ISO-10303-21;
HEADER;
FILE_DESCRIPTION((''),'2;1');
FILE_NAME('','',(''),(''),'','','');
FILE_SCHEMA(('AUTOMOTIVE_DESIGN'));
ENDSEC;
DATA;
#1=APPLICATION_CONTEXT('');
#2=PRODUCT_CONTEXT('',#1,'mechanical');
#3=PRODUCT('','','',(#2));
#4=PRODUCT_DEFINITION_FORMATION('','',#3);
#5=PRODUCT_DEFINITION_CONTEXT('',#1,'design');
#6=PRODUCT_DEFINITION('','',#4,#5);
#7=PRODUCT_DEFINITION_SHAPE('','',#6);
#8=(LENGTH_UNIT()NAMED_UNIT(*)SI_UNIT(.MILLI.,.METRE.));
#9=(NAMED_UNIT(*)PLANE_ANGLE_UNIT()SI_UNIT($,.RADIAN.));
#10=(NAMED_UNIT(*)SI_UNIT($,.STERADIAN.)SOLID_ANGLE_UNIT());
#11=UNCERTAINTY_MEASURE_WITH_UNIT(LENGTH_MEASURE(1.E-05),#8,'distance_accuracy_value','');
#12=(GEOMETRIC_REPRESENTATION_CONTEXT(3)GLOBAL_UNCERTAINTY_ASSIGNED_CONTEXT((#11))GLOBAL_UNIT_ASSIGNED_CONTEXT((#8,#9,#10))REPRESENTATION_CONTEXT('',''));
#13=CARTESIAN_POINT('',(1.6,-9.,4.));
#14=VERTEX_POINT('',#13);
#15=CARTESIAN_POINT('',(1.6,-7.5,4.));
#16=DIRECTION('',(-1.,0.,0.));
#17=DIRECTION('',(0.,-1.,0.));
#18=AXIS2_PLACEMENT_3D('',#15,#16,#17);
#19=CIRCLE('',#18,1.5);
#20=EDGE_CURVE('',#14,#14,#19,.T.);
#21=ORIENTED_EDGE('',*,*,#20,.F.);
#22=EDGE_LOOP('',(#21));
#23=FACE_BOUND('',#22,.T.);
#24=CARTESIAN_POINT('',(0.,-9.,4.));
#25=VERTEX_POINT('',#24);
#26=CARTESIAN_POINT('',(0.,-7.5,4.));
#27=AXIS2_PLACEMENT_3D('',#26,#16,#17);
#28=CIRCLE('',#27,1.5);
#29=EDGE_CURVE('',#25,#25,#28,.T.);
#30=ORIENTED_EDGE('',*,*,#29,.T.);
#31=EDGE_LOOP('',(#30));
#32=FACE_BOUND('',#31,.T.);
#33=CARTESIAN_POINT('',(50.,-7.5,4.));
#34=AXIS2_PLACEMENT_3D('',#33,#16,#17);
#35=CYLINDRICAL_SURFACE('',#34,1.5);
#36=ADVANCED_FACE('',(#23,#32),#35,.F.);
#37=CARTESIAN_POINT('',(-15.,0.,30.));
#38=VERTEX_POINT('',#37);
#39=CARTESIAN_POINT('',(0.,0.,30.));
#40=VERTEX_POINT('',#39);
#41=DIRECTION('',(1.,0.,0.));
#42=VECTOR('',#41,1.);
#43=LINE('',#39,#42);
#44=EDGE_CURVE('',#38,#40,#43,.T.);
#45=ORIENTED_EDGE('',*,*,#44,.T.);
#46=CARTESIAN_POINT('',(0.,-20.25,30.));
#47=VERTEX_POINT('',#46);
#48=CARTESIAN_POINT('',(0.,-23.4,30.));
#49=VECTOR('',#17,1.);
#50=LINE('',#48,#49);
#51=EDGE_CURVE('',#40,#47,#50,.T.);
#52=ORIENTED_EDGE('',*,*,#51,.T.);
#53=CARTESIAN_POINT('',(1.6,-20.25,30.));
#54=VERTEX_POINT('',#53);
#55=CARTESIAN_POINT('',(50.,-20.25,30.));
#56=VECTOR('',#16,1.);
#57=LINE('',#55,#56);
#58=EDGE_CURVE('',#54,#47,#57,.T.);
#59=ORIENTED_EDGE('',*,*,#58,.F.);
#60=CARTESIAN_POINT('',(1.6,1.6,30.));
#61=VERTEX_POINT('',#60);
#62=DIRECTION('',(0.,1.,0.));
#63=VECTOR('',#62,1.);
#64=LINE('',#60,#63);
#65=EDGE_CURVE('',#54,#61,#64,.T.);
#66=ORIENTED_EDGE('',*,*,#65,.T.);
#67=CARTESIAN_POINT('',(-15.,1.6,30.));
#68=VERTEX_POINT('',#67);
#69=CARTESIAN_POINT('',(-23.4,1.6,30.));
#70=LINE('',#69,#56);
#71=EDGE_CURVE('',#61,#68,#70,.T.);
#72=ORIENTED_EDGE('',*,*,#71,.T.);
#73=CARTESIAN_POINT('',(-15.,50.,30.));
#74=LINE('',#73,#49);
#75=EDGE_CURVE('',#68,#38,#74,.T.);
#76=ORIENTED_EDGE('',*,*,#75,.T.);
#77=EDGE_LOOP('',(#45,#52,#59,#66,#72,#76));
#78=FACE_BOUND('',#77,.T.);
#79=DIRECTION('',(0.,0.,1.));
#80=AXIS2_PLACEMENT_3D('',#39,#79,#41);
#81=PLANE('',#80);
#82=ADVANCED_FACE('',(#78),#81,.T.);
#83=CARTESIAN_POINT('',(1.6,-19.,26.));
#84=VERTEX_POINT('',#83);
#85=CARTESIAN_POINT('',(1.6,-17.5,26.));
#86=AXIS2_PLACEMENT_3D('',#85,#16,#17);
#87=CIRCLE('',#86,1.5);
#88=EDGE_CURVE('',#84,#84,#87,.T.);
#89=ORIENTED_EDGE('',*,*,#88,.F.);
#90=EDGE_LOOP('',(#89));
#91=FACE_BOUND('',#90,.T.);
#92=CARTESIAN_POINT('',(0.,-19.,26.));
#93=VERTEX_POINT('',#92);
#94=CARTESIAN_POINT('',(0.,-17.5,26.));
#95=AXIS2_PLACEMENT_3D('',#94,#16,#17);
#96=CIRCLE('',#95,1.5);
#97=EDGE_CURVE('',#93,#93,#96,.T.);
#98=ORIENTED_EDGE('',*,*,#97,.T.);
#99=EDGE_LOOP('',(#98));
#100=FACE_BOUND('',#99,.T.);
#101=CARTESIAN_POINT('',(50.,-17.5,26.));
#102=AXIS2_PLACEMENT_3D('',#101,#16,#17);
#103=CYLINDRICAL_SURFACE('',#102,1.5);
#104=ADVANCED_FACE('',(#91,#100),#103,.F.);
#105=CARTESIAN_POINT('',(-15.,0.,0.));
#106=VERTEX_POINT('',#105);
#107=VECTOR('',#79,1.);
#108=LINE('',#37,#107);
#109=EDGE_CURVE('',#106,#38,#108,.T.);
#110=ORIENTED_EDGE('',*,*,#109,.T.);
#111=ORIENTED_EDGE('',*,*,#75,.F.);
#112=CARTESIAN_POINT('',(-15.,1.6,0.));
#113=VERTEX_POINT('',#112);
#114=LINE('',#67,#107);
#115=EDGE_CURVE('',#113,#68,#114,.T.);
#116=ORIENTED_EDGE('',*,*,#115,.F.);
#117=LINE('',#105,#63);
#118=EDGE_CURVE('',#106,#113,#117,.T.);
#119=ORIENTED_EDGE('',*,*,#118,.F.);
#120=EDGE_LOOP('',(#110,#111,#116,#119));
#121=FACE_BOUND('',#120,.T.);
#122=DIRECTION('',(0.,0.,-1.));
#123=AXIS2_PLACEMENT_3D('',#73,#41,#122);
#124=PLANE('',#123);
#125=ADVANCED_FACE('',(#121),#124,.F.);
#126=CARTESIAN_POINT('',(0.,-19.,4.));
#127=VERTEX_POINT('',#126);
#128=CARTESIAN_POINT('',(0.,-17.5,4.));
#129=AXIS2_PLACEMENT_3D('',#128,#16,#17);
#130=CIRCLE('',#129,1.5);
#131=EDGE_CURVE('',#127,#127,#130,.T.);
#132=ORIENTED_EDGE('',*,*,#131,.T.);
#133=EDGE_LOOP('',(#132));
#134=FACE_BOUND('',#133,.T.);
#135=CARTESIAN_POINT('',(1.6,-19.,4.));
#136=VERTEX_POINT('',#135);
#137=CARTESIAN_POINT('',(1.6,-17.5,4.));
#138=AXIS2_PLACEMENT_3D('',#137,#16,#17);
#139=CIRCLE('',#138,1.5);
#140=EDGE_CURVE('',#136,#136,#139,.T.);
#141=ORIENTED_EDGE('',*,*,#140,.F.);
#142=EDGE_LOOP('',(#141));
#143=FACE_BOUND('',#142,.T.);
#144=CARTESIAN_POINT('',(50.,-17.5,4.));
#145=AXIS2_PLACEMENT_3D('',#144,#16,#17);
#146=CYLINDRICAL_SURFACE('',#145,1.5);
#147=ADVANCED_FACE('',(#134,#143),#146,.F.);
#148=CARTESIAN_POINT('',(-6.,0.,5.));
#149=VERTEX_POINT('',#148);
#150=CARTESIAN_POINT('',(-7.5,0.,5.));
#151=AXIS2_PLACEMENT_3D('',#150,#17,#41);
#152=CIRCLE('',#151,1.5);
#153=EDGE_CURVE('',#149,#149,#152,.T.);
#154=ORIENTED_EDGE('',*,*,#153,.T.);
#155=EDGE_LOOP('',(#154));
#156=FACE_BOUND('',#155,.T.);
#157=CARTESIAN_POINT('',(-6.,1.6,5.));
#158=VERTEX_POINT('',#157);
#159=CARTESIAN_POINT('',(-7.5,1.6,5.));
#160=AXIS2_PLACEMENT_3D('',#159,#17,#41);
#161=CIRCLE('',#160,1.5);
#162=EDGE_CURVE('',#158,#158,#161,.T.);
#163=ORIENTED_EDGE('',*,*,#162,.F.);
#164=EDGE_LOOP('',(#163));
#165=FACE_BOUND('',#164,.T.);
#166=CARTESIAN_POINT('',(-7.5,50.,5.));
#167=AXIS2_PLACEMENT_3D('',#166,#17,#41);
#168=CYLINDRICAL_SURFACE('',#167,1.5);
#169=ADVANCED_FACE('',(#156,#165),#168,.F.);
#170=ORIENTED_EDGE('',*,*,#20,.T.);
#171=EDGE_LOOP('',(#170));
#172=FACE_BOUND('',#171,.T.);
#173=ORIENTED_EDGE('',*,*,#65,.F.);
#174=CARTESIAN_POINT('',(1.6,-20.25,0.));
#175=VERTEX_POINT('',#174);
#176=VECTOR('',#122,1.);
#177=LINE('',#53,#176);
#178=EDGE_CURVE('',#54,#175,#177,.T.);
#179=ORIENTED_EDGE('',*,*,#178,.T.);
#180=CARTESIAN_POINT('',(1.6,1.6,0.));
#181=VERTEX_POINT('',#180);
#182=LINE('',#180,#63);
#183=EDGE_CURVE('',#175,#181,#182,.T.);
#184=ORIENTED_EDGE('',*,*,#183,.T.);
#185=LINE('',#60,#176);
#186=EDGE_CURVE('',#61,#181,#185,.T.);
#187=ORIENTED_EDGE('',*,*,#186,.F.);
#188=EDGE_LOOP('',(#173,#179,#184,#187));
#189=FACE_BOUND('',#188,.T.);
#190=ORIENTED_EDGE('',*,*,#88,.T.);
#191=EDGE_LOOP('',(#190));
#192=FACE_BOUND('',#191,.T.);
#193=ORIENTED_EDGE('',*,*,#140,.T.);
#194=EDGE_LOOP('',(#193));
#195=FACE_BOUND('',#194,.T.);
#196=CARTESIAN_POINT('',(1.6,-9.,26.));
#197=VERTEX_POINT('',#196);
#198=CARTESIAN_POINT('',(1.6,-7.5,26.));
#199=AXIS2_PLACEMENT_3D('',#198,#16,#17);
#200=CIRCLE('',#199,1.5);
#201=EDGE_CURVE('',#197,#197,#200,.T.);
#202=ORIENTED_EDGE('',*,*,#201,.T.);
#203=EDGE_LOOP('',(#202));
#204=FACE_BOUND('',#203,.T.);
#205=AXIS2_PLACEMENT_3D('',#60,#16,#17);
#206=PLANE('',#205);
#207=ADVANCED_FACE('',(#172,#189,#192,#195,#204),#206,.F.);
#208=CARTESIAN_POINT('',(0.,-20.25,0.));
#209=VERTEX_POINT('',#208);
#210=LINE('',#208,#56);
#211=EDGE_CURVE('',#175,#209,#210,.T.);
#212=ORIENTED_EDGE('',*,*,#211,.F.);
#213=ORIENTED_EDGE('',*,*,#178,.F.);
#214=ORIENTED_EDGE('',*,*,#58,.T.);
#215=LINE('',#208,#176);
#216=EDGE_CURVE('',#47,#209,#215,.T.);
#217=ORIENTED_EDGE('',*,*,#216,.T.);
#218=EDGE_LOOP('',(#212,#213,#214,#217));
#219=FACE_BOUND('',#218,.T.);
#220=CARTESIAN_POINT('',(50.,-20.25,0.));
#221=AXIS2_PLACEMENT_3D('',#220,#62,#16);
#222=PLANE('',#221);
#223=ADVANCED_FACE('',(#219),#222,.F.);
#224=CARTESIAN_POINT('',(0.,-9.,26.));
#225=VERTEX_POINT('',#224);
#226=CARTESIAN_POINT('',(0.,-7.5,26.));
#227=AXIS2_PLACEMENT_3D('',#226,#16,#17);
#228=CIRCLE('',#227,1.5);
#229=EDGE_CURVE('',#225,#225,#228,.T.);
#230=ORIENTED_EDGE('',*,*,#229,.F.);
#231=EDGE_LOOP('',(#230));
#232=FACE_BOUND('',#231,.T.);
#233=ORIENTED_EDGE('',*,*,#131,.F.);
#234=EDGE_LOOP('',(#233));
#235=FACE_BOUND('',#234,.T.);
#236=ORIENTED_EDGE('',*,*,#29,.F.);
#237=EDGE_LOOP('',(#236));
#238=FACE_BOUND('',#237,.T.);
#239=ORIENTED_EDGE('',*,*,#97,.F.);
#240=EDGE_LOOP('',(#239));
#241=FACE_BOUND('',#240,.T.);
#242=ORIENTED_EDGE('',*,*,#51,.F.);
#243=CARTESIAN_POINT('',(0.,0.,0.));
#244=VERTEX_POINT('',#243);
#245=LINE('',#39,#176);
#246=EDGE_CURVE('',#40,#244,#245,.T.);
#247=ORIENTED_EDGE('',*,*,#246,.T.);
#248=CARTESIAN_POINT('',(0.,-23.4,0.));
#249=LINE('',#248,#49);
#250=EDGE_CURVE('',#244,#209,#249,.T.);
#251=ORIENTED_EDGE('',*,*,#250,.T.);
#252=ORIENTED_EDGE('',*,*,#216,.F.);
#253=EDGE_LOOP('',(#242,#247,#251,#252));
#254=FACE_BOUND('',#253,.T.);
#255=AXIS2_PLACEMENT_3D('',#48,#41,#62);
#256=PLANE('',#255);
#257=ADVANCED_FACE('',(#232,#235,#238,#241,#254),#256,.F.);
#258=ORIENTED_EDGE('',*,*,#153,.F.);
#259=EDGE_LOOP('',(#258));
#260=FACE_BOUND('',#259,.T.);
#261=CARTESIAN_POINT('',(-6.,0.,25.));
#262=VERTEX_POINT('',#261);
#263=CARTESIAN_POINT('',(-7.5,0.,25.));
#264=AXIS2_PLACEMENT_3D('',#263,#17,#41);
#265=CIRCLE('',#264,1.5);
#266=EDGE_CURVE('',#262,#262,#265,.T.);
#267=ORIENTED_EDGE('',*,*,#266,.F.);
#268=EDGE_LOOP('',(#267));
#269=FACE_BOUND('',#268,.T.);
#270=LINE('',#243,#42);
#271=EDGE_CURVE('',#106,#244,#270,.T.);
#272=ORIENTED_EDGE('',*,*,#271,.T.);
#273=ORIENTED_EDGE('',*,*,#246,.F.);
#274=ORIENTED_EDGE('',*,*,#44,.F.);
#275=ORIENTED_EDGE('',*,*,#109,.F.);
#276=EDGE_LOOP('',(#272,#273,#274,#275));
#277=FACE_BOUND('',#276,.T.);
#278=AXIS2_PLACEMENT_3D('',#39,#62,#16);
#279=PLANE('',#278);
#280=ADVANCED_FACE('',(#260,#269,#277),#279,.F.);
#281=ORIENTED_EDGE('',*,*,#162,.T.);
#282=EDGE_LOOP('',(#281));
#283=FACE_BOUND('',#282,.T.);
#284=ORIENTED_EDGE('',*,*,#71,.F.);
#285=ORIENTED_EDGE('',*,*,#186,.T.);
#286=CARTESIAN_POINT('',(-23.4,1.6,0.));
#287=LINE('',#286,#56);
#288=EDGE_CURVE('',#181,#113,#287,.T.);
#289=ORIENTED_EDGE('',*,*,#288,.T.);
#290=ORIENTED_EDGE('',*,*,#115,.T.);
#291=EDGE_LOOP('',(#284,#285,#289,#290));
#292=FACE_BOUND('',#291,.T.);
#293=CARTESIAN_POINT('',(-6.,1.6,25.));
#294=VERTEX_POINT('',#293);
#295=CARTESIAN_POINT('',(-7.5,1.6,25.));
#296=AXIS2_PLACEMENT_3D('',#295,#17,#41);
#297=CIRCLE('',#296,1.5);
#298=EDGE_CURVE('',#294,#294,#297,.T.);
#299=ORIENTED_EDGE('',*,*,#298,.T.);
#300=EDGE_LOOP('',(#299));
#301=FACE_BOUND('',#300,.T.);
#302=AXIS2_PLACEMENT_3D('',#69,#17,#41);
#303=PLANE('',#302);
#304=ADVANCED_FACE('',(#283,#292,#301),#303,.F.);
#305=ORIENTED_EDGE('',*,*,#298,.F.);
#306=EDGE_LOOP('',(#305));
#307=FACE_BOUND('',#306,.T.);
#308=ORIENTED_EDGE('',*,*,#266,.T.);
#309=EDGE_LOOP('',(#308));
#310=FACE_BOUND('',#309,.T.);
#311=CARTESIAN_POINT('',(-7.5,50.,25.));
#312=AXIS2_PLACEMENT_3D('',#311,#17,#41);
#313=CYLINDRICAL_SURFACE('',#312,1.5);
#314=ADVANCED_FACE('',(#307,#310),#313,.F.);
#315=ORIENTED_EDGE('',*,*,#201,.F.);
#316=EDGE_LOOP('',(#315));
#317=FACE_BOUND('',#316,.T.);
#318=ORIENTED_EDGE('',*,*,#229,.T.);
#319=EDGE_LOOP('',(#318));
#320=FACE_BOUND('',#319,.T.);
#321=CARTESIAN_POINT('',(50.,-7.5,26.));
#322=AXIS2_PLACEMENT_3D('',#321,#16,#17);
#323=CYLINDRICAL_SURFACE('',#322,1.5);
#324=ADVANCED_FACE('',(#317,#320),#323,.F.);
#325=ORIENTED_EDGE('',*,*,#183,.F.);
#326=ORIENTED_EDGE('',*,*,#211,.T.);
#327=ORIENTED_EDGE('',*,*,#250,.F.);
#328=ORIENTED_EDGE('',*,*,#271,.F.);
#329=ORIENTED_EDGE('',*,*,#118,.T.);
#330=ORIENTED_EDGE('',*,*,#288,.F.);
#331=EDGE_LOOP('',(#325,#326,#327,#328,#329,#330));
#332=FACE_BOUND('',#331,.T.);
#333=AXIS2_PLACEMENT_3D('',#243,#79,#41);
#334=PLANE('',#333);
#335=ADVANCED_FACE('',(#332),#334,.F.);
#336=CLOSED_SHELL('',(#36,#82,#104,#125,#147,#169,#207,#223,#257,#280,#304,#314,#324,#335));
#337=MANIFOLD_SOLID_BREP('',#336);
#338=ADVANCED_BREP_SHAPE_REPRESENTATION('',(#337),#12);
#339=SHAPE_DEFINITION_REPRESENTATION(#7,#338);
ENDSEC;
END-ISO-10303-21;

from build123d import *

# Parameters (mm, degrees)
ANGLE_DEPTH        = 30
SKETCH2_R          = 1.5
CUT_EXTRUDE1_DEPTH = 50
SKETCH3_R          = 1.5
CUT_EXTRUDE2_DEPTH = 50
SKETCH4_W          = 30
SKETCH4_H          = 3.15
CUT_EXTRUDE3_DEPTH = 50
SKETCH5_W          = 8.4
SKETCH5_H          = 30
CUT_EXTRUDE4_DEPTH = 50


with BuildPart() as part:
    # Sketch1 → Angle (new body)
    with BuildSketch(Plane.XY):
        Polygon((0, 0), (-23.4, 0), (-23.4, 1.6), (1.6, 1.6), (1.6, -23.4), (0, -23.4), align=None)
    extrude(amount=ANGLE_DEPTH)

    # Sketch2 → Cut-Extrude1 (cut)
    with BuildSketch(Plane.XZ):
        with Locations((-7.5, 5)):
            Circle(SKETCH2_R)
        with Locations((-7.5, 25)):
            Circle(SKETCH2_R)
    extrude(amount=-CUT_EXTRUDE1_DEPTH, mode=Mode.SUBTRACT)

    # Sketch3 → Cut-Extrude2 (cut)
    with BuildSketch(Plane.ZY):
        with Locations(Location((4, -7.5, 0), (0, 0, 270))):
            Circle(SKETCH3_R)
        with Locations(Location((26, -7.5, 0), (0, 0, 270))):
            Circle(SKETCH3_R)
        with Locations(Location((4, -17.5, 0), (0, 0, 270))):
            Circle(SKETCH3_R)
        with Locations(Location((26, -17.5, 0), (0, 0, 270))):
            Circle(SKETCH3_R)
    extrude(amount=-CUT_EXTRUDE2_DEPTH, mode=Mode.SUBTRACT)

    # Sketch4 → Cut-Extrude3 (cut)
    with BuildSketch(Plane.ZY):
        with Locations((15, -21.825)):
            Rectangle(SKETCH4_W, SKETCH4_H)
    extrude(amount=-CUT_EXTRUDE3_DEPTH, mode=Mode.SUBTRACT)

    # Sketch5 → Cut-Extrude4 (cut)
    with BuildSketch(Plane.XZ):
        with Locations((-19.2, 15)):
            Rectangle(SKETCH5_W, SKETCH5_H)
    extrude(amount=-CUT_EXTRUDE4_DEPTH, mode=Mode.SUBTRACT)


solid = part.part
